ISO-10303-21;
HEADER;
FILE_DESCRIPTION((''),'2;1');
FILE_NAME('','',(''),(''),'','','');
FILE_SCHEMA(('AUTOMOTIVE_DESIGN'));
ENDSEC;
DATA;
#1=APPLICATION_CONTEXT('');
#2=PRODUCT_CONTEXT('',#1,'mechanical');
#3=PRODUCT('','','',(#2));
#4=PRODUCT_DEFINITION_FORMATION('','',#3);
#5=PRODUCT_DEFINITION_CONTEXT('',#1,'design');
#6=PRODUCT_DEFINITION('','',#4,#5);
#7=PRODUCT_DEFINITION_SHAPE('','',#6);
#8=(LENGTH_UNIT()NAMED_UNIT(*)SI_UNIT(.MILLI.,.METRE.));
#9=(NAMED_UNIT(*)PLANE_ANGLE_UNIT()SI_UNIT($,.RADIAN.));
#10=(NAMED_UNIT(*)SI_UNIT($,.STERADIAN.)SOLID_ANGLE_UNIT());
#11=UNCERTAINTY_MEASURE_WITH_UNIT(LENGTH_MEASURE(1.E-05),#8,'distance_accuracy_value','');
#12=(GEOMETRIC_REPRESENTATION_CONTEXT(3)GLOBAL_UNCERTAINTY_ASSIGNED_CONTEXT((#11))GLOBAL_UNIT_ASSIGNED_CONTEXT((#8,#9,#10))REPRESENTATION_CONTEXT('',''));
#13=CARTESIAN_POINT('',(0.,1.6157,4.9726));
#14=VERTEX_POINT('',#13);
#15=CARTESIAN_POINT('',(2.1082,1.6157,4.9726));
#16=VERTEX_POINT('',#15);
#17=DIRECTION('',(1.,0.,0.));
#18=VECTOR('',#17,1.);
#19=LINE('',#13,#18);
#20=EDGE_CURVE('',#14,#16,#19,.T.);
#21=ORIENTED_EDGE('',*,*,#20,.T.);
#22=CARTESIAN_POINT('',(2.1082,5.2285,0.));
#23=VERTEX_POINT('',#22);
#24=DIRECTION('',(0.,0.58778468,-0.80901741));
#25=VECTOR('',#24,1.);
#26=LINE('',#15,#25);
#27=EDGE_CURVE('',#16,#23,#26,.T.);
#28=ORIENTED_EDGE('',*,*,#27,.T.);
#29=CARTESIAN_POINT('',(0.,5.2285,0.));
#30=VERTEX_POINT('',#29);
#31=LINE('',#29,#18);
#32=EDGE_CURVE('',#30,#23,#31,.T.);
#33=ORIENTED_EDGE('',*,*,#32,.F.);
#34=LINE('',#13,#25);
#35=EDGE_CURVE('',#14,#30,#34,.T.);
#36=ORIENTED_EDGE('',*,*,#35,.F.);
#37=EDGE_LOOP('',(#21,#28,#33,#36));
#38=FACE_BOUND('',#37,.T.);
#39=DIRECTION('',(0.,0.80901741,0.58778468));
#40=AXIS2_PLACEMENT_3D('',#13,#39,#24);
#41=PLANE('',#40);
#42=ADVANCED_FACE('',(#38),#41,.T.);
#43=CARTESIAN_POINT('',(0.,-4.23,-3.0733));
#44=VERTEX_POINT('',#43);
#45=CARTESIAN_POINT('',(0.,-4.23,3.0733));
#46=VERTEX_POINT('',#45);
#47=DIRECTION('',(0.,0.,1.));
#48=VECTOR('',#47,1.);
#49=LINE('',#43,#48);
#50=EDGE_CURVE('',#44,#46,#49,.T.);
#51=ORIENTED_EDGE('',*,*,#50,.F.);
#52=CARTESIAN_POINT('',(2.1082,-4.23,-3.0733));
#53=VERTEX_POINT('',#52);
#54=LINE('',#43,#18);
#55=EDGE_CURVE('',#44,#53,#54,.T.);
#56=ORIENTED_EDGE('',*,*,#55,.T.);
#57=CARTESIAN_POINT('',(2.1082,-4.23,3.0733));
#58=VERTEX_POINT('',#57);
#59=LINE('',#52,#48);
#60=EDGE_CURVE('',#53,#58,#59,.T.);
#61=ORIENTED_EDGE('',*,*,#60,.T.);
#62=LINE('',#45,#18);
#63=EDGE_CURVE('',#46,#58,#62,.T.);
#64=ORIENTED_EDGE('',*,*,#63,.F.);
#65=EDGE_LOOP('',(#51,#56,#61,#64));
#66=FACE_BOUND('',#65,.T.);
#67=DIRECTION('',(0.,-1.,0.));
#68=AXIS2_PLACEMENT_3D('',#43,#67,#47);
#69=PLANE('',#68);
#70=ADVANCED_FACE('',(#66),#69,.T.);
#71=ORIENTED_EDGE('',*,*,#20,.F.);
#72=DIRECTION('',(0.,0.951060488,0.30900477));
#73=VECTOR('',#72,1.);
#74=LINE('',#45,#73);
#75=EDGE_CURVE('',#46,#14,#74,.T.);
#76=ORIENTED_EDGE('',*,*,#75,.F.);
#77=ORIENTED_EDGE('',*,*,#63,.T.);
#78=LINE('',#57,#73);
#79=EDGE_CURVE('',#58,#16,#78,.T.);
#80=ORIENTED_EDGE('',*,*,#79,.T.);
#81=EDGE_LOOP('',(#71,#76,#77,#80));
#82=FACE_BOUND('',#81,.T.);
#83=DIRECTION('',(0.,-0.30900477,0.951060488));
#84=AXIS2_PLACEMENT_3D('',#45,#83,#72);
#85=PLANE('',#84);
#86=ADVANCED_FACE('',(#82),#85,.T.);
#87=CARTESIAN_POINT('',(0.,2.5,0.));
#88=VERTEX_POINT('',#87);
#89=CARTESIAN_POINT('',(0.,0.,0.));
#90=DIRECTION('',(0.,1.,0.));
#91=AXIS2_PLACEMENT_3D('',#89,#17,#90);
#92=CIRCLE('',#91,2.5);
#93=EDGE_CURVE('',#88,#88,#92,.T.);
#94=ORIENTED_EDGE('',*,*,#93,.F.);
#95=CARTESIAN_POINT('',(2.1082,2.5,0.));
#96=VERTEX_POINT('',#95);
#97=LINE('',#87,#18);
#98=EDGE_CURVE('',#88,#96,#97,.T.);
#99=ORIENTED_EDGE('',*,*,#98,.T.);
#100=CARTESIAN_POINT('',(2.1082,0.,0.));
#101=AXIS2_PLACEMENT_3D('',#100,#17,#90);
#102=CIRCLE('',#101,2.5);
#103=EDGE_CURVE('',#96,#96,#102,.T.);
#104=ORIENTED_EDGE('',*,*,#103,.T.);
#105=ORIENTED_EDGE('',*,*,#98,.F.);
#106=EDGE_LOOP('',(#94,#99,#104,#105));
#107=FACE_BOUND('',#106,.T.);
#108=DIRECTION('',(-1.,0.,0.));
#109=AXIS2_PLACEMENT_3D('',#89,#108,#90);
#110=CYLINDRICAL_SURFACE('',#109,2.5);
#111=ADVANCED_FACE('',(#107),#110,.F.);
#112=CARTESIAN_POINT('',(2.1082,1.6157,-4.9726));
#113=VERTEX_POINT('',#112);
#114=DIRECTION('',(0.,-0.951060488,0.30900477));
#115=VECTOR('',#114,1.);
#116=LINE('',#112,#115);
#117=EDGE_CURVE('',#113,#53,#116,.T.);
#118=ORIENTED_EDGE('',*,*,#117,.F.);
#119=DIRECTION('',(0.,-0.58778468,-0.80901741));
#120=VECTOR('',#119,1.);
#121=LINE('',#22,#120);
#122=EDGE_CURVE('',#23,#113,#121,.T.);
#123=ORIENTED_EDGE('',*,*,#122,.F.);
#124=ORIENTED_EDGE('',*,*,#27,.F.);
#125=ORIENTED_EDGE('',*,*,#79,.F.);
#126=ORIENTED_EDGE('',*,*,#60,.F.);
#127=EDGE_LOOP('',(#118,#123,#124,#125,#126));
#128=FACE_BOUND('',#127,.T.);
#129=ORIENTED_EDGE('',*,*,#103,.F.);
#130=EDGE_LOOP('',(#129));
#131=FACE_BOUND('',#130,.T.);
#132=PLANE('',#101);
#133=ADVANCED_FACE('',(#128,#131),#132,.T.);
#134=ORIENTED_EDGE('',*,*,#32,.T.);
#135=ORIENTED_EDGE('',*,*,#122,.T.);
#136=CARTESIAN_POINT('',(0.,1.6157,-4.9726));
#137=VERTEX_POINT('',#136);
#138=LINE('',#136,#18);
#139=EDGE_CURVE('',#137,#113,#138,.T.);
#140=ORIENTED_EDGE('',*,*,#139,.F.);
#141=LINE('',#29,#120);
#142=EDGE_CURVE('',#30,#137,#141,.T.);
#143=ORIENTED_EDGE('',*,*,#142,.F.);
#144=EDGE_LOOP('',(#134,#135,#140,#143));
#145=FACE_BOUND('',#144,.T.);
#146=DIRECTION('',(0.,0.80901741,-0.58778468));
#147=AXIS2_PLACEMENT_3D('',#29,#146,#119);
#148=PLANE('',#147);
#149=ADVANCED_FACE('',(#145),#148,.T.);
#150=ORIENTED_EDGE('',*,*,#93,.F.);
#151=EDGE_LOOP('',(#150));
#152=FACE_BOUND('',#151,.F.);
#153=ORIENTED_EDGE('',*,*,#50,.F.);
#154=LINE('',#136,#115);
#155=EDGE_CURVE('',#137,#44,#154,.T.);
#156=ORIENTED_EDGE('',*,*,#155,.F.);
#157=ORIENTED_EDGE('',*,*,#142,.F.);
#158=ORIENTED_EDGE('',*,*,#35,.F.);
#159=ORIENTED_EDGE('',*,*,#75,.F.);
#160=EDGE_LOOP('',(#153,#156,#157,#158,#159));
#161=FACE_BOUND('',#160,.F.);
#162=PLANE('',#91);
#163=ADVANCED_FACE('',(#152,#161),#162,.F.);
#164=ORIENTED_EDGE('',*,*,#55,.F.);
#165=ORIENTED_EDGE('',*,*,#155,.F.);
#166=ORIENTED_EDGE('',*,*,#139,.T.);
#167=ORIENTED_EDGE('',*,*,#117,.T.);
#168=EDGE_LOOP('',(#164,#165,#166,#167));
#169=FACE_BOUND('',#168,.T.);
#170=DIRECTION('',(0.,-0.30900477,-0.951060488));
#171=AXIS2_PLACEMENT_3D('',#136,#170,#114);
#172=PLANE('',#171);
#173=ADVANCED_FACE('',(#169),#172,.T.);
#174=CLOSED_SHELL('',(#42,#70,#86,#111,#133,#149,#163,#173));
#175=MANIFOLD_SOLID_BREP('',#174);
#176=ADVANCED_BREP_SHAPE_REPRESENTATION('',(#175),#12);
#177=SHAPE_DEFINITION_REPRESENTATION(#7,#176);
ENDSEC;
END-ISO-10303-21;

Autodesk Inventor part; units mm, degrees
ref_plane "YZ Plane" through (0, 0, 0) normal (1, 0, 0) x (0, 1, 0)
ref_plane "XZ Plane" through (0, 0, 0) normal (0, 1, 0) x (-1, 0, 0)
ref_plane "XY Plane" through (0, 0, 0) normal (0, 0, 1) x (1, 0, 0)
sketch "Sketch1" plane through (0, 0, 0) normal (1, 0, 0) x (0, 1, 0)
  circle A0 centre (0, 0) radius 2.5
  line L0 (5.2285, 0) -> (1.6157, -4.9726)
  line L1 (1.6157, -4.9726) -> (-4.23, -3.0733)
  line L2 (-4.23, -3.0733) -> (-4.23, 3.0733)
  line L3 (-4.23, 3.0733) -> (1.6157, 4.9726)
  line L4 (1.6157, 4.9726) -> (5.2285, 0)
  dimension "d0" = 5
extrude "Extrusion1" add sketch "Sketch1" along normal blind 2.1082
properties part number "Bracket"
